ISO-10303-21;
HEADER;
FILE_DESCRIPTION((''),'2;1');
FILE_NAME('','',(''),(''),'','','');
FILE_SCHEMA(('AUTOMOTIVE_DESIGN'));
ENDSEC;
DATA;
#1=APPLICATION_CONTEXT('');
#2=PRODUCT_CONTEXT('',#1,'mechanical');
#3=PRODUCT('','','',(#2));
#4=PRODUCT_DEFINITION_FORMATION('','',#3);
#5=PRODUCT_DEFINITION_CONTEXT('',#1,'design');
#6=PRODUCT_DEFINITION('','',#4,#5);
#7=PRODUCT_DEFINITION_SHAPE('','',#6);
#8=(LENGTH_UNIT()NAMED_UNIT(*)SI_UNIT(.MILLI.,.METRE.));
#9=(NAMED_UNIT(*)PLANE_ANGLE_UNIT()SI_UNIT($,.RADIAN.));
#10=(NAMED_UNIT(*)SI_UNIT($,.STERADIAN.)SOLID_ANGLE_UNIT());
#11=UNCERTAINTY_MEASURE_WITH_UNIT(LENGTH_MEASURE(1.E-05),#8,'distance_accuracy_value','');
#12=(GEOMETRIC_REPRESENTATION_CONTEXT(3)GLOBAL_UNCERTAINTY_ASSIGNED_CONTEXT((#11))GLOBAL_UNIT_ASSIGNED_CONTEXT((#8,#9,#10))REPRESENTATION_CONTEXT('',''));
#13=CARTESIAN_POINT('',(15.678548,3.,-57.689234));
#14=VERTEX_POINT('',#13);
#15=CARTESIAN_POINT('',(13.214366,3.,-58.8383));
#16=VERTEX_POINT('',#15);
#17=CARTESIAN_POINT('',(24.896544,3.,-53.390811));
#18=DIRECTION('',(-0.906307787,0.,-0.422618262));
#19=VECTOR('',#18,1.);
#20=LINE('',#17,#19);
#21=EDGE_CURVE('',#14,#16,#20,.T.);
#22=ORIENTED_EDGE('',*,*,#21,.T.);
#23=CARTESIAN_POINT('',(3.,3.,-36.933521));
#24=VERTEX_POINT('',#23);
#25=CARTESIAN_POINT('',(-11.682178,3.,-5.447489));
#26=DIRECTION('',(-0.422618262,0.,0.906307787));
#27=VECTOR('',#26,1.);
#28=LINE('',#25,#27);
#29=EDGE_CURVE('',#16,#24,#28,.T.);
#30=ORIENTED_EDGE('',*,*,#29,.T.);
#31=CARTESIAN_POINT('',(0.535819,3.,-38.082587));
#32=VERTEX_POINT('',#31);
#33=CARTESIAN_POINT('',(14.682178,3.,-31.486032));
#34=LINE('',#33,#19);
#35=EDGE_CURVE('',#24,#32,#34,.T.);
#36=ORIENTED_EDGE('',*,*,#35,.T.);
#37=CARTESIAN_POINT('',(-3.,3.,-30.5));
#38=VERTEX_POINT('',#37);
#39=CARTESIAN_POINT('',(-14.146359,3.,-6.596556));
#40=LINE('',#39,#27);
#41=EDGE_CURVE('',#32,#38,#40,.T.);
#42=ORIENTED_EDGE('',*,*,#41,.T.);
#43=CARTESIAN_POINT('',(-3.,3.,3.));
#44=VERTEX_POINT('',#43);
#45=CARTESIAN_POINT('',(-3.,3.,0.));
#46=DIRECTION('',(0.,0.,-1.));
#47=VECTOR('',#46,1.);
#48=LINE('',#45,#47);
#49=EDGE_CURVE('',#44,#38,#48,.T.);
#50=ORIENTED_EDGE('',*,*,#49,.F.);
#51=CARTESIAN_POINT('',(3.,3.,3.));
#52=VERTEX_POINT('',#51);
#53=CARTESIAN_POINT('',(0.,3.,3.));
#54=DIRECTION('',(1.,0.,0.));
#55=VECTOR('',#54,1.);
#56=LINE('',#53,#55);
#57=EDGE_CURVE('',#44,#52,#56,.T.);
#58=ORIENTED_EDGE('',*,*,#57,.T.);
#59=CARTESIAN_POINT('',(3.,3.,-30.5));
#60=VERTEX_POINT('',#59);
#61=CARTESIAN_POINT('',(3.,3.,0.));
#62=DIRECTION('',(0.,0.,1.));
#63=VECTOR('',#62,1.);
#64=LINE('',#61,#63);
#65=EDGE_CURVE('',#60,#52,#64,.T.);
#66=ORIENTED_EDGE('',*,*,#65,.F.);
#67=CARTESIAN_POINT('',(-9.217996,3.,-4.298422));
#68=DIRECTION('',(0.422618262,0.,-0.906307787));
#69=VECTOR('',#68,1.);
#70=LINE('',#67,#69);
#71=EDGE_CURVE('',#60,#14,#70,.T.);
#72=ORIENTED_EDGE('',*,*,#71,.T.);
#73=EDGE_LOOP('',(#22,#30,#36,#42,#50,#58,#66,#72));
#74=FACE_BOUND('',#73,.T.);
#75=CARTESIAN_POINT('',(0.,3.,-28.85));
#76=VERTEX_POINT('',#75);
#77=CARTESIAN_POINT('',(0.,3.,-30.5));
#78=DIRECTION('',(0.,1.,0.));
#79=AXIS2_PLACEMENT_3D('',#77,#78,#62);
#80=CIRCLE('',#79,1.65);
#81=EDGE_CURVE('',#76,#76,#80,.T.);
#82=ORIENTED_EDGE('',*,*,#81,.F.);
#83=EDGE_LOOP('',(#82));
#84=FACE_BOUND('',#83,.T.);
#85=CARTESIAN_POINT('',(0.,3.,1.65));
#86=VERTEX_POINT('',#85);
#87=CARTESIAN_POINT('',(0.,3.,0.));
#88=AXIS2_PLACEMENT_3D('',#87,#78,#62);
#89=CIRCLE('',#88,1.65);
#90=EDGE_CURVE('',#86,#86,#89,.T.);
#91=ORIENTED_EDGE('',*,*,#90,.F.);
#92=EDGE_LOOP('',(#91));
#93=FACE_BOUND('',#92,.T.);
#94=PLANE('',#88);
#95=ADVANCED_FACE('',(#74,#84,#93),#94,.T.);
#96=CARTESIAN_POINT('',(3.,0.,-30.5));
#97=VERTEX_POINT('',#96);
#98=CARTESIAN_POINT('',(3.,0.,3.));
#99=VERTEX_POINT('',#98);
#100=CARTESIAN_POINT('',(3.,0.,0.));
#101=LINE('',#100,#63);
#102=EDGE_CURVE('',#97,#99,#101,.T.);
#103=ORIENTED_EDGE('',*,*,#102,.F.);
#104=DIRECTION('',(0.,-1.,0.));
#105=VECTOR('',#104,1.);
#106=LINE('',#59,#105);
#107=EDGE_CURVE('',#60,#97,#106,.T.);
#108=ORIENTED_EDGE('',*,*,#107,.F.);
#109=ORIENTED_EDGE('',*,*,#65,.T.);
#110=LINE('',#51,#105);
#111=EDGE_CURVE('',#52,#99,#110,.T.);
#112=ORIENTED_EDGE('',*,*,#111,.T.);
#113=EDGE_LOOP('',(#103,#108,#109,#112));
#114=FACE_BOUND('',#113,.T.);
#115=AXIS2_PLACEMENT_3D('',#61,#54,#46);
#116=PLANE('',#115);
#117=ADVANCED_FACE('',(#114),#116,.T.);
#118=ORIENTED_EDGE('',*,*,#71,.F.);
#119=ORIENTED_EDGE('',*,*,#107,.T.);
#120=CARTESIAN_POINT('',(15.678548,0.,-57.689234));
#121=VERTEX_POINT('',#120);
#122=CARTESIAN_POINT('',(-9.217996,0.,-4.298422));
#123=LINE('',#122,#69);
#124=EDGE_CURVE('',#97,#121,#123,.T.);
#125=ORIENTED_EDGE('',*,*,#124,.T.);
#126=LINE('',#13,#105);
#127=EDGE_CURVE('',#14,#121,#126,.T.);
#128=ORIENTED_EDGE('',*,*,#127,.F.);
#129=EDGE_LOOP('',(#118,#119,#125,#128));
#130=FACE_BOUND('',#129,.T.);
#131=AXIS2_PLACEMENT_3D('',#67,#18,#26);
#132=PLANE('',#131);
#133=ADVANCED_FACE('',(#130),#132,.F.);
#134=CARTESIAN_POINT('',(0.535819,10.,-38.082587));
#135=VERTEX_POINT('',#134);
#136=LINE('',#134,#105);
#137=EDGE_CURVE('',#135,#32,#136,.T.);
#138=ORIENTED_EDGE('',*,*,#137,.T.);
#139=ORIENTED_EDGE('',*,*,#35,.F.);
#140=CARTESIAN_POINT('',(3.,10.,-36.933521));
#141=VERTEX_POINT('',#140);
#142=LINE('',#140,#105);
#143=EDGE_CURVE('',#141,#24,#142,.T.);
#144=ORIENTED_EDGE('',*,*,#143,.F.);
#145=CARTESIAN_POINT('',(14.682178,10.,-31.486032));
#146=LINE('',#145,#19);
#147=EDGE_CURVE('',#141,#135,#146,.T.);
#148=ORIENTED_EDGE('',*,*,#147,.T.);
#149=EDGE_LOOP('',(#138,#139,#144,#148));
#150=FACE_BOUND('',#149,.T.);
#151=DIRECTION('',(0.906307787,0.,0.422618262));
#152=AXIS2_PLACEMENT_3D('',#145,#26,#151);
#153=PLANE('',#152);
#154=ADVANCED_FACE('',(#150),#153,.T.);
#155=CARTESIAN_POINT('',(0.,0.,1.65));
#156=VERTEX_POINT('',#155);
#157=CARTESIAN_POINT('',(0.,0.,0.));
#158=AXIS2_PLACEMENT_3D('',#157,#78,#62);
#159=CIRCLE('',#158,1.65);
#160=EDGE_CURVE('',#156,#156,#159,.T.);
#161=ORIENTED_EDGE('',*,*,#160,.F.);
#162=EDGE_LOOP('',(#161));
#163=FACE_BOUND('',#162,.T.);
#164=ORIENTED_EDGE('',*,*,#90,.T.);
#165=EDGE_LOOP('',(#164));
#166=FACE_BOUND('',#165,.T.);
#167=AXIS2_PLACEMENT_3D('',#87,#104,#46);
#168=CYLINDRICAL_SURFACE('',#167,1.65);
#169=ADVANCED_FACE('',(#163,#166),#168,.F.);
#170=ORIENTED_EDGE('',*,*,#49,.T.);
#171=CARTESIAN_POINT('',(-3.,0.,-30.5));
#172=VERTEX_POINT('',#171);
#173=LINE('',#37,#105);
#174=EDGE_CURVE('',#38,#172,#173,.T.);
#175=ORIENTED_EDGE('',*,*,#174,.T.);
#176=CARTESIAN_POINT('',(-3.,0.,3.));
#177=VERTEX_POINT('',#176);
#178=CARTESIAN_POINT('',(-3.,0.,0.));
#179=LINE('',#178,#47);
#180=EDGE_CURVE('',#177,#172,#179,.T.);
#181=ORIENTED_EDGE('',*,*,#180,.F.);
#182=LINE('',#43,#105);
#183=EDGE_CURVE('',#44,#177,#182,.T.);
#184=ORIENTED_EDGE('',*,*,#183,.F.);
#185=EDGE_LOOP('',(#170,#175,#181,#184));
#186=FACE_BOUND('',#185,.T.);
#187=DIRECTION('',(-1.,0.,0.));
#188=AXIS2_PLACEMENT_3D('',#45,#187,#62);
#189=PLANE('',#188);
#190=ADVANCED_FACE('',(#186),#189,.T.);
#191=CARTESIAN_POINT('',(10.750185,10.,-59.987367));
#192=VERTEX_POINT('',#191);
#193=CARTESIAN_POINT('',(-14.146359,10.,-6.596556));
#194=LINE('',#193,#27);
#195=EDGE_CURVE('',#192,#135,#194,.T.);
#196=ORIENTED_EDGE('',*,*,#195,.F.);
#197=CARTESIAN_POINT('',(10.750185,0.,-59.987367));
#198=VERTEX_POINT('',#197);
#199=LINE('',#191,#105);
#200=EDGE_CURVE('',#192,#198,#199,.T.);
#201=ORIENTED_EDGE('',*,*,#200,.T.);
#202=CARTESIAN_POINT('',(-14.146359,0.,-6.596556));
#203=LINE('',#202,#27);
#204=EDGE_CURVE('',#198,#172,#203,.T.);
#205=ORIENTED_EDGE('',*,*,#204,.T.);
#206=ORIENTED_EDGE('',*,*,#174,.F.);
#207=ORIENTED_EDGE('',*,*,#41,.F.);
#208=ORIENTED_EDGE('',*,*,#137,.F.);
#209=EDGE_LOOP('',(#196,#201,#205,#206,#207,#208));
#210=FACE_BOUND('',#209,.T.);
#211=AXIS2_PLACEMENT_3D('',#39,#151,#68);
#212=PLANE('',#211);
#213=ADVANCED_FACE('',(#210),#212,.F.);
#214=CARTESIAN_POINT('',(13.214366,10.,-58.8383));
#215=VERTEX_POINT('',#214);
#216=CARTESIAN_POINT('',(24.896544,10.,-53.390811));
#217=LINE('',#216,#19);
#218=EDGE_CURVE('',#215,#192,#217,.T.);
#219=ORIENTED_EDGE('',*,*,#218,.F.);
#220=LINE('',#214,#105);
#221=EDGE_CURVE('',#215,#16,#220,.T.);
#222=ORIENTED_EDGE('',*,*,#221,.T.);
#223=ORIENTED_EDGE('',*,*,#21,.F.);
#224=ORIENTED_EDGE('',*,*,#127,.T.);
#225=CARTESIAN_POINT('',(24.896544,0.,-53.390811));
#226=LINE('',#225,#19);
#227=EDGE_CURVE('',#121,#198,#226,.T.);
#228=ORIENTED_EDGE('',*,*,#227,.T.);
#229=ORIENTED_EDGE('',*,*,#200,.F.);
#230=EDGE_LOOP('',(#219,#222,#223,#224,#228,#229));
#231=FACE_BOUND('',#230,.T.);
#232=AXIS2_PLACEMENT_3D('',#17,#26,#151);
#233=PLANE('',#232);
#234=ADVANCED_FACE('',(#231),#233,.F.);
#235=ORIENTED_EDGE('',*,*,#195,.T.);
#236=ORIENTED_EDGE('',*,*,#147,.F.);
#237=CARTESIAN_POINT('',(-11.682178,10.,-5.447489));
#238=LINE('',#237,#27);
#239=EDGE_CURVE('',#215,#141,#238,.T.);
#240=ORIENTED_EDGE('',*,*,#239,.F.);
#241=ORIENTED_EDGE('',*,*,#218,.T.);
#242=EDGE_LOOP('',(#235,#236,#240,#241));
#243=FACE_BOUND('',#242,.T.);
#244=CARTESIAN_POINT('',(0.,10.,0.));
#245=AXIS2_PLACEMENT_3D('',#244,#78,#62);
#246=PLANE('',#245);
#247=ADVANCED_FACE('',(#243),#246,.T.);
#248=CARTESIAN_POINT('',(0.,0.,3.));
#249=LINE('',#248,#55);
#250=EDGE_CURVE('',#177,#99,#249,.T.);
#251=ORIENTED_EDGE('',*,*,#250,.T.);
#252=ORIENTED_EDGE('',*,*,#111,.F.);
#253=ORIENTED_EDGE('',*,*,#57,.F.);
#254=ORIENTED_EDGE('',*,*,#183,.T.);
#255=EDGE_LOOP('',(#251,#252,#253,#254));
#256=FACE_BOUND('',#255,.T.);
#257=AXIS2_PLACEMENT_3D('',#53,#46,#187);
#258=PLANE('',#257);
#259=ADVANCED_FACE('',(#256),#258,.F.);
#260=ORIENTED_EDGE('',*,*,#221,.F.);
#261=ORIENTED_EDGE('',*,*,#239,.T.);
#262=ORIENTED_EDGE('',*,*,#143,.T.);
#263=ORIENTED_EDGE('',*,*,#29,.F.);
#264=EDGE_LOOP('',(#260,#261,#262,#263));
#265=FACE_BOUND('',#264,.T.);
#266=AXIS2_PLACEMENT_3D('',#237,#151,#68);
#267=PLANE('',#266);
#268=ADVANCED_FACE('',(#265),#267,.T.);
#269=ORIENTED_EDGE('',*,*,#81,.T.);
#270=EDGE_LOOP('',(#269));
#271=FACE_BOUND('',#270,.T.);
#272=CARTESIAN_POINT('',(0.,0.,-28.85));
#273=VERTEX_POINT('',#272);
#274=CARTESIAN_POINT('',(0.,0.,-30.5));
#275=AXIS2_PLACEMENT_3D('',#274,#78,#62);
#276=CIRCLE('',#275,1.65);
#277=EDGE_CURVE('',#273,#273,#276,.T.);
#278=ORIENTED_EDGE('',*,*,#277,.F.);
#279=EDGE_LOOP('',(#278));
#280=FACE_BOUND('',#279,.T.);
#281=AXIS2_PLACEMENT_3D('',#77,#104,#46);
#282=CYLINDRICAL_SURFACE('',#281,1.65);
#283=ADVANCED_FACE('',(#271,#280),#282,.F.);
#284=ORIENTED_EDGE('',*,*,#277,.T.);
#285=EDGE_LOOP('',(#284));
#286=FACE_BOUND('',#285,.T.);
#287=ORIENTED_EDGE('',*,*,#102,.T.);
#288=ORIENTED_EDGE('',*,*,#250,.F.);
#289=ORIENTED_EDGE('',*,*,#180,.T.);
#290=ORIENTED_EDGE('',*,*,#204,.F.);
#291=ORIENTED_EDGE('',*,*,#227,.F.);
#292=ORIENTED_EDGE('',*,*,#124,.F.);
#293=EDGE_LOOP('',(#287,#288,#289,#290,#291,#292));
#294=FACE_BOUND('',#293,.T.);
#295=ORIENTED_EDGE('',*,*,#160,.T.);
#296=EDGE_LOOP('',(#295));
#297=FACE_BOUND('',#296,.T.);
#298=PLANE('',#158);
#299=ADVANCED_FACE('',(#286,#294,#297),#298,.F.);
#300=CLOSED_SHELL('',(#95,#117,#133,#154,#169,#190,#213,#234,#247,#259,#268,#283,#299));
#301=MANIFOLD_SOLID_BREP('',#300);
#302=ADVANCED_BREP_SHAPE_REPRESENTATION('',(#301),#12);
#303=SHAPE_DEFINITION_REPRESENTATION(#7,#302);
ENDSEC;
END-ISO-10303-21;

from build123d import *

# Parameters (mm, degrees)
SKETCH1_R           = 1.65
BOSS_EXTRUDE1_DEPTH = 3
BOSS_EXTRUDE2_DEPTH = 10


with BuildPart() as part:
    # Sketch1 → Boss-Extrude1 (new body)
    with BuildSketch(Plane(origin=(0, 0, 0), x_dir=(1, 0, 0), z_dir=(0, 1, 0))):
        Polygon((-3, 30.5), (-3, -3), (3, -3), (3, 30.5), (15.678547852, 57.689233611), (13.214366438, 58.838300276), (3, 36.933520762), (0.535818585, 38.082587426), align=None)
        with Locations((0, 30.5)):
            Circle(SKETCH1_R, mode=Mode.SUBTRACT)
        Circle(SKETCH1_R, mode=Mode.SUBTRACT)
    extrude(amount=BOSS_EXTRUDE1_DEPTH)

    # Sketch1<4> → Boss-Extrude2 (add)
    with BuildSketch(Plane(origin=(0, 0, 0), x_dir=(1, 0, 0), z_dir=(0, 1, 0))):
        Polygon((10.750185023, 59.98736694), (0.535818585, 38.082587426), (3, 36.933520762), (13.214366438, 58.838300276), align=None)
    extrude(amount=BOSS_EXTRUDE2_DEPTH)


solid = part.part
